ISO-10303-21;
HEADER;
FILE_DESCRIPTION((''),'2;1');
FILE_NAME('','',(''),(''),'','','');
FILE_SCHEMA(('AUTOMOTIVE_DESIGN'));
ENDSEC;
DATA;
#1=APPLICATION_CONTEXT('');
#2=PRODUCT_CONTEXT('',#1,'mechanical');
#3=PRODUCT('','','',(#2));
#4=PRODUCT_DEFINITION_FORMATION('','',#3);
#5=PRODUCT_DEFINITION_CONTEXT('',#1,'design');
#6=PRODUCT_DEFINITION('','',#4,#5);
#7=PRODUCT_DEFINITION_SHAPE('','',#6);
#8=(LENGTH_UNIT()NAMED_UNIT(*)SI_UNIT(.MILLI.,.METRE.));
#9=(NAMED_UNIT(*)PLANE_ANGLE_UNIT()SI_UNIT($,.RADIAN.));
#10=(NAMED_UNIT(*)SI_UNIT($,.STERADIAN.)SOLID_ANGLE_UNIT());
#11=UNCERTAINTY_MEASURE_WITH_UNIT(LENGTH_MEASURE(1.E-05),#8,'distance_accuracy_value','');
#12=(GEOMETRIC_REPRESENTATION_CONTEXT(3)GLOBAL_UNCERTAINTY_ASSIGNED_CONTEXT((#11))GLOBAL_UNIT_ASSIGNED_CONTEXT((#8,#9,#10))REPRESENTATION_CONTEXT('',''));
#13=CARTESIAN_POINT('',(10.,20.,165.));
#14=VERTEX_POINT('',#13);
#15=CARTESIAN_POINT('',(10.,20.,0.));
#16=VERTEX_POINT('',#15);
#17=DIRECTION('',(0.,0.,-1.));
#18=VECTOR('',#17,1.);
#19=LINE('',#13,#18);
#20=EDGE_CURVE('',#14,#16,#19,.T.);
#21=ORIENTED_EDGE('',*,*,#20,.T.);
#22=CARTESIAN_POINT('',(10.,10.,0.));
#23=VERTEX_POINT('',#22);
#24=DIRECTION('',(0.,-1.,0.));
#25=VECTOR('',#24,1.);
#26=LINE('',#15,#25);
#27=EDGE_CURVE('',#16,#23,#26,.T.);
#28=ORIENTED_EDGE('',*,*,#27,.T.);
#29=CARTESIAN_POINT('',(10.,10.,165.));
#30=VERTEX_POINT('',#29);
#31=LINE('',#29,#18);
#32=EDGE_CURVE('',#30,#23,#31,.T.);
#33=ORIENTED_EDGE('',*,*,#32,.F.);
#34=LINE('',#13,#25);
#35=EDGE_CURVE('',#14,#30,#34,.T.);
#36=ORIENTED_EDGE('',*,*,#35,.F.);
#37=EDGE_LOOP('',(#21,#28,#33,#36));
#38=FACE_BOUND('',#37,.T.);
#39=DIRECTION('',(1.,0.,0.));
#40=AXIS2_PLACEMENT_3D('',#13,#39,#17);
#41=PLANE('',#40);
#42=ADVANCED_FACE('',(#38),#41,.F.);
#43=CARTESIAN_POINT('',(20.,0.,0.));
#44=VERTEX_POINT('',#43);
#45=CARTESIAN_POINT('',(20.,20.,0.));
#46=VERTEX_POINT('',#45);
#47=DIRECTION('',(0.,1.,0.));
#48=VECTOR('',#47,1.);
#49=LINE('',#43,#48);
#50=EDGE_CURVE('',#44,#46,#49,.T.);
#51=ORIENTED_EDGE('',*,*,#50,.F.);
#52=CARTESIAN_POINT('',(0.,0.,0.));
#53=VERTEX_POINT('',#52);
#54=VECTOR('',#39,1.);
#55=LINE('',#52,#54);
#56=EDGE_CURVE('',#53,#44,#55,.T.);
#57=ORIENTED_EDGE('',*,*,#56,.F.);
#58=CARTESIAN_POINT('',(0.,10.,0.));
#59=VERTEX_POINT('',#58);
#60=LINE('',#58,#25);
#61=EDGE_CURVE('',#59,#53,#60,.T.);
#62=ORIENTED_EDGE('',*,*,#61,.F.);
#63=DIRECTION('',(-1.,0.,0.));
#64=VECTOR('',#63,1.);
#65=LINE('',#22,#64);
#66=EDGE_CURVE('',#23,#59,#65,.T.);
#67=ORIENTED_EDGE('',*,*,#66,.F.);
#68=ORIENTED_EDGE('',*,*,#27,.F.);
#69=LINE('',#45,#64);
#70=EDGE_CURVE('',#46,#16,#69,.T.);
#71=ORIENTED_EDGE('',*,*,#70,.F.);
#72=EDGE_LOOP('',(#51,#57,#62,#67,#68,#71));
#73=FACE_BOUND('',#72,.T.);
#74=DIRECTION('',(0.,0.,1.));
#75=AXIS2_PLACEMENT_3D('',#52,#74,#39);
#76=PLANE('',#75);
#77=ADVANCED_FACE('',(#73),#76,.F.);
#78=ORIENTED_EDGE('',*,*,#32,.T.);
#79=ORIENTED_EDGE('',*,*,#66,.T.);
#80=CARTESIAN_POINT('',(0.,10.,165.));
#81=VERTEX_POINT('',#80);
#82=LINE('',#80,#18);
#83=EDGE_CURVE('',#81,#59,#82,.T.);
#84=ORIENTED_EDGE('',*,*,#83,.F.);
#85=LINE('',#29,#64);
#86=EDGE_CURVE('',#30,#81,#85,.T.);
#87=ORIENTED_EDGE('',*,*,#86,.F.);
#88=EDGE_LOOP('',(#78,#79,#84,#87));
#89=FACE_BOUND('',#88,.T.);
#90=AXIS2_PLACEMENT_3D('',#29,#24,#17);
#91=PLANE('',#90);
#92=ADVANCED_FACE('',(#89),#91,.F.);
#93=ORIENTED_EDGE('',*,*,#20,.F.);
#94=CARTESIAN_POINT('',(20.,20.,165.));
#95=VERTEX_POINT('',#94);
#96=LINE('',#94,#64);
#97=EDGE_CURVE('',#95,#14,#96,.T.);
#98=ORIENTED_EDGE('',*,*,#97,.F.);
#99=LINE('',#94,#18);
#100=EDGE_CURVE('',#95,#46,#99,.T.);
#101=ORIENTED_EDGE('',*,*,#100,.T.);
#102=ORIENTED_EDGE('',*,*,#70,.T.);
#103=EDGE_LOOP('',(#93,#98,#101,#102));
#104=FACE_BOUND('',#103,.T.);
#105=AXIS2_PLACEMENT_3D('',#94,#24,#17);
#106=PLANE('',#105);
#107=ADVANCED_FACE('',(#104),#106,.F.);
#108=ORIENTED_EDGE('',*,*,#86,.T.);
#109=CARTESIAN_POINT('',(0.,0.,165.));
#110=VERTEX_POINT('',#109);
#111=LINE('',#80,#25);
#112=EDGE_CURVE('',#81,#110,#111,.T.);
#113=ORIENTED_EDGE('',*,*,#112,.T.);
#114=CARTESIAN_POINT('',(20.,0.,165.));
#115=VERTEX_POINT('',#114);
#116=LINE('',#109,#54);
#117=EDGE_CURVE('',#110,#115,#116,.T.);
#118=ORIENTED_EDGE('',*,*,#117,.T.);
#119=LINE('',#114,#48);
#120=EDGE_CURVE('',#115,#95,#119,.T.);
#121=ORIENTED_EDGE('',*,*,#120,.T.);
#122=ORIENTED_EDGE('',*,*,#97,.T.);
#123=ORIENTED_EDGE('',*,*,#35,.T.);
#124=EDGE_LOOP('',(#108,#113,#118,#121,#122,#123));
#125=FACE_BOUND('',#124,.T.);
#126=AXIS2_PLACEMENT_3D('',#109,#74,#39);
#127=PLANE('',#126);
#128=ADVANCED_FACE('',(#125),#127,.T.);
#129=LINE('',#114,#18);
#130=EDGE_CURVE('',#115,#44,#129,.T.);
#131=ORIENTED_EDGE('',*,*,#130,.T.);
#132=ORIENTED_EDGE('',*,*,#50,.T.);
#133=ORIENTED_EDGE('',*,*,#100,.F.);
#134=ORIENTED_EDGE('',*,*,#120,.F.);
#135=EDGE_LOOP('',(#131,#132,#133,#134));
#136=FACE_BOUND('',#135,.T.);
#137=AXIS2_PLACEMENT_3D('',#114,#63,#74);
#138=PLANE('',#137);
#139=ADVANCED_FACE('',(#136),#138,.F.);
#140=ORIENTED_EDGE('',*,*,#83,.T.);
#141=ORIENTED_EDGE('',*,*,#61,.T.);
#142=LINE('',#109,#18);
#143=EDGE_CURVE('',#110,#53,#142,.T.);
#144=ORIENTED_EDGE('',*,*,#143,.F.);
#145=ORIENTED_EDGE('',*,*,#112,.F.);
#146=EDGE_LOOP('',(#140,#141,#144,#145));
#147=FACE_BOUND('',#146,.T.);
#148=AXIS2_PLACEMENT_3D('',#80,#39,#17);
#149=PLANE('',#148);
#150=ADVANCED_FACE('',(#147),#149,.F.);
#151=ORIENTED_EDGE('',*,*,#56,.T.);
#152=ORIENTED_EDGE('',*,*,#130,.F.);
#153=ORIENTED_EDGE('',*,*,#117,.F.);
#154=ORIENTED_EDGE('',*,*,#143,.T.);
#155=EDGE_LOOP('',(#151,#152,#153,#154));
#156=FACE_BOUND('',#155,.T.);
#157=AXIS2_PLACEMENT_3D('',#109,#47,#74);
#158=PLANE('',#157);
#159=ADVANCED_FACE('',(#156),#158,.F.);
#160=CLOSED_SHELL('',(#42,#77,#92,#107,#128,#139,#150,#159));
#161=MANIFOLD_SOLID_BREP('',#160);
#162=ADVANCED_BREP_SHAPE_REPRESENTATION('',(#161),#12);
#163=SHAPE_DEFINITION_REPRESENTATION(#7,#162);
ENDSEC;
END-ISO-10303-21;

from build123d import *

# Parameters (mm, degrees)
BOSS_EXTRU_1_DEPTH = 165


with BuildPart() as part:
    # Esquisse1 → Boss.-Extru.1 (new body)
    with BuildSketch(Plane.XY):
        Polygon((0, 0), (20, 0), (20, 20), (10, 20), (10, 10), (0, 10), align=None)
    extrude(amount=BOSS_EXTRU_1_DEPTH)


solid = part.part
